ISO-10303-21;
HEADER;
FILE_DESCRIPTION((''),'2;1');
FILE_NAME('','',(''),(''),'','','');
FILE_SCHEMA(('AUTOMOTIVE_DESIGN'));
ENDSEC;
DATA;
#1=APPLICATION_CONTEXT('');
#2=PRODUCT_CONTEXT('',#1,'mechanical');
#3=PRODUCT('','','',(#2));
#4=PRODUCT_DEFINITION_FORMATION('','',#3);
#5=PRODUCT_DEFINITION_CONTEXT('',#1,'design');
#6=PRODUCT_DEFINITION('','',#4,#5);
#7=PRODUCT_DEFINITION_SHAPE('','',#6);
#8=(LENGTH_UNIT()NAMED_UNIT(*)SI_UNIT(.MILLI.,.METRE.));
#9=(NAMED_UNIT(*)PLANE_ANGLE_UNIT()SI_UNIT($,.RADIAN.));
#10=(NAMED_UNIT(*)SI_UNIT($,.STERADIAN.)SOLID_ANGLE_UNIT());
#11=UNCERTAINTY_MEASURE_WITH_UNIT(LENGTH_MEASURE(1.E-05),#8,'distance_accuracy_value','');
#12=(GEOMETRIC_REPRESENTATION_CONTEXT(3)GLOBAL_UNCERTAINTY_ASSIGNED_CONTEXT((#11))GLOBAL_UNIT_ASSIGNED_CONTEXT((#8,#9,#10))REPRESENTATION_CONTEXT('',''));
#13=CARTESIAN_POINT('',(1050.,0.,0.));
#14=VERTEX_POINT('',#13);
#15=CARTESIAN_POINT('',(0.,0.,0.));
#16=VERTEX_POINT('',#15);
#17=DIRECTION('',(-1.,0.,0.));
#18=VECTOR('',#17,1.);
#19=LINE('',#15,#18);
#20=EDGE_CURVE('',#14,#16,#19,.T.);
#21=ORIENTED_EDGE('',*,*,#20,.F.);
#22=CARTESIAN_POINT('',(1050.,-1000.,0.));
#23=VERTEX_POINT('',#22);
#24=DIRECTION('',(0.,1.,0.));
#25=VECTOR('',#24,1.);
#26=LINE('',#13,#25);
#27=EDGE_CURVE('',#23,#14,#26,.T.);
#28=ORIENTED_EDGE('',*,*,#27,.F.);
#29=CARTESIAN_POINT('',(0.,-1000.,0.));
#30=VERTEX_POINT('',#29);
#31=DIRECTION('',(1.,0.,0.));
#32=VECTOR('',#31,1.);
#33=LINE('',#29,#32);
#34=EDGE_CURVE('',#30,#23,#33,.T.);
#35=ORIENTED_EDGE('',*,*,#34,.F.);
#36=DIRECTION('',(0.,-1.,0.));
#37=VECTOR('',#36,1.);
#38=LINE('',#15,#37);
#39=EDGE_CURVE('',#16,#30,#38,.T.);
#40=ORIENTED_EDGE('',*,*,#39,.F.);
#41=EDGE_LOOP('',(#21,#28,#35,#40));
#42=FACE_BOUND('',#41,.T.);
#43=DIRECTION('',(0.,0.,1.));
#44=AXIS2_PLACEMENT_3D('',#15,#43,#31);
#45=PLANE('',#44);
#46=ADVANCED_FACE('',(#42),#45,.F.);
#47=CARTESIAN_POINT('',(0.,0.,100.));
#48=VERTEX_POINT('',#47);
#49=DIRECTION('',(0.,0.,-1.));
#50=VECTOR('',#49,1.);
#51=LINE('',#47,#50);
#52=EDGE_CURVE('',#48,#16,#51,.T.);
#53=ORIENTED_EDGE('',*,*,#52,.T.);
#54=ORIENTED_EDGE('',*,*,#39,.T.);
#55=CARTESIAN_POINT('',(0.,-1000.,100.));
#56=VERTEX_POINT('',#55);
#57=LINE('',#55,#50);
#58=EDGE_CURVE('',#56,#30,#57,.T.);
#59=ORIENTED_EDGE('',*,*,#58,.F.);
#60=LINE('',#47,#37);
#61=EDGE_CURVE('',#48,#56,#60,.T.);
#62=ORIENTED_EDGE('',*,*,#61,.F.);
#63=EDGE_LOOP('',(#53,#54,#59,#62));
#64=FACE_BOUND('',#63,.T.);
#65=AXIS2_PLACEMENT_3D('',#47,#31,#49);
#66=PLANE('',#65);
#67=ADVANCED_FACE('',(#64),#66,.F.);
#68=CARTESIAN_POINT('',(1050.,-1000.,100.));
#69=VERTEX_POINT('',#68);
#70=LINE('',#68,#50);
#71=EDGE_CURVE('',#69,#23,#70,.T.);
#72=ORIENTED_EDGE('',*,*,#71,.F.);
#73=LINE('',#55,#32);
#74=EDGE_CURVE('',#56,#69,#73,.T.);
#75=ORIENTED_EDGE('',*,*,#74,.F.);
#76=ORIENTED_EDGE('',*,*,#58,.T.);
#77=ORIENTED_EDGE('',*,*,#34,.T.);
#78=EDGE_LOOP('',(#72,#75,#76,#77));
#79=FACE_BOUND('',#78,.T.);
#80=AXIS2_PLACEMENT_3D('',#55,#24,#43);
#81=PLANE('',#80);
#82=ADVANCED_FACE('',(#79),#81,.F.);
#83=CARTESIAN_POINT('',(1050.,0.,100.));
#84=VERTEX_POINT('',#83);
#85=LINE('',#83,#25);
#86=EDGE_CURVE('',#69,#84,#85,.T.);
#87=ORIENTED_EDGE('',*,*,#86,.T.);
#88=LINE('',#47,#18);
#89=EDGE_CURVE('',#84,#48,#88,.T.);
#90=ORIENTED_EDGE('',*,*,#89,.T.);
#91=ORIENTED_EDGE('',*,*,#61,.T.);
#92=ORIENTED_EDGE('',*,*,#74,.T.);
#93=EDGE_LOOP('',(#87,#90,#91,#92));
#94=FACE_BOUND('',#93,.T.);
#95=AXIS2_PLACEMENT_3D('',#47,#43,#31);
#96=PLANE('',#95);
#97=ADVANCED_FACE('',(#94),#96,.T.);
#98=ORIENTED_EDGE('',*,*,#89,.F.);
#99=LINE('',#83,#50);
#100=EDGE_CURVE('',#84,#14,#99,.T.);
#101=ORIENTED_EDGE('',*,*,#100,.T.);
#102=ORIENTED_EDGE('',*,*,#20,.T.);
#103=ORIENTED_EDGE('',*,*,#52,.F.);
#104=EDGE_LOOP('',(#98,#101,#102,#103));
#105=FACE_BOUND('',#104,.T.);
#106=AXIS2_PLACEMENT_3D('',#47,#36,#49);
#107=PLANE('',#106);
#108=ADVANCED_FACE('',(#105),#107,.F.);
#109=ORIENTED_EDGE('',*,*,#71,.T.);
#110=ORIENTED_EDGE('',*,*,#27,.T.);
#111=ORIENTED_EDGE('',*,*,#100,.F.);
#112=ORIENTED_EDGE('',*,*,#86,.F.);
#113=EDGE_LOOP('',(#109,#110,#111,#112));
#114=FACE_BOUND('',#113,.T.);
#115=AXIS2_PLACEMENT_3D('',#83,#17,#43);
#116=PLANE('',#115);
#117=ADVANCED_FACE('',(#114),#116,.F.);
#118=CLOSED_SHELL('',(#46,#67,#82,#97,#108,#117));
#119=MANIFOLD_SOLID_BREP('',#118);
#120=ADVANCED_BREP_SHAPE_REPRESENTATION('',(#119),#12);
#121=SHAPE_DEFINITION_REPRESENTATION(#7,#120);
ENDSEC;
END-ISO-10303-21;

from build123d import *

# Parameters (mm, degrees)
SKETCH_1_W      = 1050
SKETCH_1_H      = 1000
EXTRUDE_1_DEPTH = 100


with BuildPart() as part:
    # Эскиз1 → Бобышка-Вытянуть1 (new body)
    with BuildSketch(Plane.XY):
        with Locations((525, -500)):
            Rectangle(SKETCH_1_W, SKETCH_1_H)
    extrude(amount=EXTRUDE_1_DEPTH)


solid = part.part
